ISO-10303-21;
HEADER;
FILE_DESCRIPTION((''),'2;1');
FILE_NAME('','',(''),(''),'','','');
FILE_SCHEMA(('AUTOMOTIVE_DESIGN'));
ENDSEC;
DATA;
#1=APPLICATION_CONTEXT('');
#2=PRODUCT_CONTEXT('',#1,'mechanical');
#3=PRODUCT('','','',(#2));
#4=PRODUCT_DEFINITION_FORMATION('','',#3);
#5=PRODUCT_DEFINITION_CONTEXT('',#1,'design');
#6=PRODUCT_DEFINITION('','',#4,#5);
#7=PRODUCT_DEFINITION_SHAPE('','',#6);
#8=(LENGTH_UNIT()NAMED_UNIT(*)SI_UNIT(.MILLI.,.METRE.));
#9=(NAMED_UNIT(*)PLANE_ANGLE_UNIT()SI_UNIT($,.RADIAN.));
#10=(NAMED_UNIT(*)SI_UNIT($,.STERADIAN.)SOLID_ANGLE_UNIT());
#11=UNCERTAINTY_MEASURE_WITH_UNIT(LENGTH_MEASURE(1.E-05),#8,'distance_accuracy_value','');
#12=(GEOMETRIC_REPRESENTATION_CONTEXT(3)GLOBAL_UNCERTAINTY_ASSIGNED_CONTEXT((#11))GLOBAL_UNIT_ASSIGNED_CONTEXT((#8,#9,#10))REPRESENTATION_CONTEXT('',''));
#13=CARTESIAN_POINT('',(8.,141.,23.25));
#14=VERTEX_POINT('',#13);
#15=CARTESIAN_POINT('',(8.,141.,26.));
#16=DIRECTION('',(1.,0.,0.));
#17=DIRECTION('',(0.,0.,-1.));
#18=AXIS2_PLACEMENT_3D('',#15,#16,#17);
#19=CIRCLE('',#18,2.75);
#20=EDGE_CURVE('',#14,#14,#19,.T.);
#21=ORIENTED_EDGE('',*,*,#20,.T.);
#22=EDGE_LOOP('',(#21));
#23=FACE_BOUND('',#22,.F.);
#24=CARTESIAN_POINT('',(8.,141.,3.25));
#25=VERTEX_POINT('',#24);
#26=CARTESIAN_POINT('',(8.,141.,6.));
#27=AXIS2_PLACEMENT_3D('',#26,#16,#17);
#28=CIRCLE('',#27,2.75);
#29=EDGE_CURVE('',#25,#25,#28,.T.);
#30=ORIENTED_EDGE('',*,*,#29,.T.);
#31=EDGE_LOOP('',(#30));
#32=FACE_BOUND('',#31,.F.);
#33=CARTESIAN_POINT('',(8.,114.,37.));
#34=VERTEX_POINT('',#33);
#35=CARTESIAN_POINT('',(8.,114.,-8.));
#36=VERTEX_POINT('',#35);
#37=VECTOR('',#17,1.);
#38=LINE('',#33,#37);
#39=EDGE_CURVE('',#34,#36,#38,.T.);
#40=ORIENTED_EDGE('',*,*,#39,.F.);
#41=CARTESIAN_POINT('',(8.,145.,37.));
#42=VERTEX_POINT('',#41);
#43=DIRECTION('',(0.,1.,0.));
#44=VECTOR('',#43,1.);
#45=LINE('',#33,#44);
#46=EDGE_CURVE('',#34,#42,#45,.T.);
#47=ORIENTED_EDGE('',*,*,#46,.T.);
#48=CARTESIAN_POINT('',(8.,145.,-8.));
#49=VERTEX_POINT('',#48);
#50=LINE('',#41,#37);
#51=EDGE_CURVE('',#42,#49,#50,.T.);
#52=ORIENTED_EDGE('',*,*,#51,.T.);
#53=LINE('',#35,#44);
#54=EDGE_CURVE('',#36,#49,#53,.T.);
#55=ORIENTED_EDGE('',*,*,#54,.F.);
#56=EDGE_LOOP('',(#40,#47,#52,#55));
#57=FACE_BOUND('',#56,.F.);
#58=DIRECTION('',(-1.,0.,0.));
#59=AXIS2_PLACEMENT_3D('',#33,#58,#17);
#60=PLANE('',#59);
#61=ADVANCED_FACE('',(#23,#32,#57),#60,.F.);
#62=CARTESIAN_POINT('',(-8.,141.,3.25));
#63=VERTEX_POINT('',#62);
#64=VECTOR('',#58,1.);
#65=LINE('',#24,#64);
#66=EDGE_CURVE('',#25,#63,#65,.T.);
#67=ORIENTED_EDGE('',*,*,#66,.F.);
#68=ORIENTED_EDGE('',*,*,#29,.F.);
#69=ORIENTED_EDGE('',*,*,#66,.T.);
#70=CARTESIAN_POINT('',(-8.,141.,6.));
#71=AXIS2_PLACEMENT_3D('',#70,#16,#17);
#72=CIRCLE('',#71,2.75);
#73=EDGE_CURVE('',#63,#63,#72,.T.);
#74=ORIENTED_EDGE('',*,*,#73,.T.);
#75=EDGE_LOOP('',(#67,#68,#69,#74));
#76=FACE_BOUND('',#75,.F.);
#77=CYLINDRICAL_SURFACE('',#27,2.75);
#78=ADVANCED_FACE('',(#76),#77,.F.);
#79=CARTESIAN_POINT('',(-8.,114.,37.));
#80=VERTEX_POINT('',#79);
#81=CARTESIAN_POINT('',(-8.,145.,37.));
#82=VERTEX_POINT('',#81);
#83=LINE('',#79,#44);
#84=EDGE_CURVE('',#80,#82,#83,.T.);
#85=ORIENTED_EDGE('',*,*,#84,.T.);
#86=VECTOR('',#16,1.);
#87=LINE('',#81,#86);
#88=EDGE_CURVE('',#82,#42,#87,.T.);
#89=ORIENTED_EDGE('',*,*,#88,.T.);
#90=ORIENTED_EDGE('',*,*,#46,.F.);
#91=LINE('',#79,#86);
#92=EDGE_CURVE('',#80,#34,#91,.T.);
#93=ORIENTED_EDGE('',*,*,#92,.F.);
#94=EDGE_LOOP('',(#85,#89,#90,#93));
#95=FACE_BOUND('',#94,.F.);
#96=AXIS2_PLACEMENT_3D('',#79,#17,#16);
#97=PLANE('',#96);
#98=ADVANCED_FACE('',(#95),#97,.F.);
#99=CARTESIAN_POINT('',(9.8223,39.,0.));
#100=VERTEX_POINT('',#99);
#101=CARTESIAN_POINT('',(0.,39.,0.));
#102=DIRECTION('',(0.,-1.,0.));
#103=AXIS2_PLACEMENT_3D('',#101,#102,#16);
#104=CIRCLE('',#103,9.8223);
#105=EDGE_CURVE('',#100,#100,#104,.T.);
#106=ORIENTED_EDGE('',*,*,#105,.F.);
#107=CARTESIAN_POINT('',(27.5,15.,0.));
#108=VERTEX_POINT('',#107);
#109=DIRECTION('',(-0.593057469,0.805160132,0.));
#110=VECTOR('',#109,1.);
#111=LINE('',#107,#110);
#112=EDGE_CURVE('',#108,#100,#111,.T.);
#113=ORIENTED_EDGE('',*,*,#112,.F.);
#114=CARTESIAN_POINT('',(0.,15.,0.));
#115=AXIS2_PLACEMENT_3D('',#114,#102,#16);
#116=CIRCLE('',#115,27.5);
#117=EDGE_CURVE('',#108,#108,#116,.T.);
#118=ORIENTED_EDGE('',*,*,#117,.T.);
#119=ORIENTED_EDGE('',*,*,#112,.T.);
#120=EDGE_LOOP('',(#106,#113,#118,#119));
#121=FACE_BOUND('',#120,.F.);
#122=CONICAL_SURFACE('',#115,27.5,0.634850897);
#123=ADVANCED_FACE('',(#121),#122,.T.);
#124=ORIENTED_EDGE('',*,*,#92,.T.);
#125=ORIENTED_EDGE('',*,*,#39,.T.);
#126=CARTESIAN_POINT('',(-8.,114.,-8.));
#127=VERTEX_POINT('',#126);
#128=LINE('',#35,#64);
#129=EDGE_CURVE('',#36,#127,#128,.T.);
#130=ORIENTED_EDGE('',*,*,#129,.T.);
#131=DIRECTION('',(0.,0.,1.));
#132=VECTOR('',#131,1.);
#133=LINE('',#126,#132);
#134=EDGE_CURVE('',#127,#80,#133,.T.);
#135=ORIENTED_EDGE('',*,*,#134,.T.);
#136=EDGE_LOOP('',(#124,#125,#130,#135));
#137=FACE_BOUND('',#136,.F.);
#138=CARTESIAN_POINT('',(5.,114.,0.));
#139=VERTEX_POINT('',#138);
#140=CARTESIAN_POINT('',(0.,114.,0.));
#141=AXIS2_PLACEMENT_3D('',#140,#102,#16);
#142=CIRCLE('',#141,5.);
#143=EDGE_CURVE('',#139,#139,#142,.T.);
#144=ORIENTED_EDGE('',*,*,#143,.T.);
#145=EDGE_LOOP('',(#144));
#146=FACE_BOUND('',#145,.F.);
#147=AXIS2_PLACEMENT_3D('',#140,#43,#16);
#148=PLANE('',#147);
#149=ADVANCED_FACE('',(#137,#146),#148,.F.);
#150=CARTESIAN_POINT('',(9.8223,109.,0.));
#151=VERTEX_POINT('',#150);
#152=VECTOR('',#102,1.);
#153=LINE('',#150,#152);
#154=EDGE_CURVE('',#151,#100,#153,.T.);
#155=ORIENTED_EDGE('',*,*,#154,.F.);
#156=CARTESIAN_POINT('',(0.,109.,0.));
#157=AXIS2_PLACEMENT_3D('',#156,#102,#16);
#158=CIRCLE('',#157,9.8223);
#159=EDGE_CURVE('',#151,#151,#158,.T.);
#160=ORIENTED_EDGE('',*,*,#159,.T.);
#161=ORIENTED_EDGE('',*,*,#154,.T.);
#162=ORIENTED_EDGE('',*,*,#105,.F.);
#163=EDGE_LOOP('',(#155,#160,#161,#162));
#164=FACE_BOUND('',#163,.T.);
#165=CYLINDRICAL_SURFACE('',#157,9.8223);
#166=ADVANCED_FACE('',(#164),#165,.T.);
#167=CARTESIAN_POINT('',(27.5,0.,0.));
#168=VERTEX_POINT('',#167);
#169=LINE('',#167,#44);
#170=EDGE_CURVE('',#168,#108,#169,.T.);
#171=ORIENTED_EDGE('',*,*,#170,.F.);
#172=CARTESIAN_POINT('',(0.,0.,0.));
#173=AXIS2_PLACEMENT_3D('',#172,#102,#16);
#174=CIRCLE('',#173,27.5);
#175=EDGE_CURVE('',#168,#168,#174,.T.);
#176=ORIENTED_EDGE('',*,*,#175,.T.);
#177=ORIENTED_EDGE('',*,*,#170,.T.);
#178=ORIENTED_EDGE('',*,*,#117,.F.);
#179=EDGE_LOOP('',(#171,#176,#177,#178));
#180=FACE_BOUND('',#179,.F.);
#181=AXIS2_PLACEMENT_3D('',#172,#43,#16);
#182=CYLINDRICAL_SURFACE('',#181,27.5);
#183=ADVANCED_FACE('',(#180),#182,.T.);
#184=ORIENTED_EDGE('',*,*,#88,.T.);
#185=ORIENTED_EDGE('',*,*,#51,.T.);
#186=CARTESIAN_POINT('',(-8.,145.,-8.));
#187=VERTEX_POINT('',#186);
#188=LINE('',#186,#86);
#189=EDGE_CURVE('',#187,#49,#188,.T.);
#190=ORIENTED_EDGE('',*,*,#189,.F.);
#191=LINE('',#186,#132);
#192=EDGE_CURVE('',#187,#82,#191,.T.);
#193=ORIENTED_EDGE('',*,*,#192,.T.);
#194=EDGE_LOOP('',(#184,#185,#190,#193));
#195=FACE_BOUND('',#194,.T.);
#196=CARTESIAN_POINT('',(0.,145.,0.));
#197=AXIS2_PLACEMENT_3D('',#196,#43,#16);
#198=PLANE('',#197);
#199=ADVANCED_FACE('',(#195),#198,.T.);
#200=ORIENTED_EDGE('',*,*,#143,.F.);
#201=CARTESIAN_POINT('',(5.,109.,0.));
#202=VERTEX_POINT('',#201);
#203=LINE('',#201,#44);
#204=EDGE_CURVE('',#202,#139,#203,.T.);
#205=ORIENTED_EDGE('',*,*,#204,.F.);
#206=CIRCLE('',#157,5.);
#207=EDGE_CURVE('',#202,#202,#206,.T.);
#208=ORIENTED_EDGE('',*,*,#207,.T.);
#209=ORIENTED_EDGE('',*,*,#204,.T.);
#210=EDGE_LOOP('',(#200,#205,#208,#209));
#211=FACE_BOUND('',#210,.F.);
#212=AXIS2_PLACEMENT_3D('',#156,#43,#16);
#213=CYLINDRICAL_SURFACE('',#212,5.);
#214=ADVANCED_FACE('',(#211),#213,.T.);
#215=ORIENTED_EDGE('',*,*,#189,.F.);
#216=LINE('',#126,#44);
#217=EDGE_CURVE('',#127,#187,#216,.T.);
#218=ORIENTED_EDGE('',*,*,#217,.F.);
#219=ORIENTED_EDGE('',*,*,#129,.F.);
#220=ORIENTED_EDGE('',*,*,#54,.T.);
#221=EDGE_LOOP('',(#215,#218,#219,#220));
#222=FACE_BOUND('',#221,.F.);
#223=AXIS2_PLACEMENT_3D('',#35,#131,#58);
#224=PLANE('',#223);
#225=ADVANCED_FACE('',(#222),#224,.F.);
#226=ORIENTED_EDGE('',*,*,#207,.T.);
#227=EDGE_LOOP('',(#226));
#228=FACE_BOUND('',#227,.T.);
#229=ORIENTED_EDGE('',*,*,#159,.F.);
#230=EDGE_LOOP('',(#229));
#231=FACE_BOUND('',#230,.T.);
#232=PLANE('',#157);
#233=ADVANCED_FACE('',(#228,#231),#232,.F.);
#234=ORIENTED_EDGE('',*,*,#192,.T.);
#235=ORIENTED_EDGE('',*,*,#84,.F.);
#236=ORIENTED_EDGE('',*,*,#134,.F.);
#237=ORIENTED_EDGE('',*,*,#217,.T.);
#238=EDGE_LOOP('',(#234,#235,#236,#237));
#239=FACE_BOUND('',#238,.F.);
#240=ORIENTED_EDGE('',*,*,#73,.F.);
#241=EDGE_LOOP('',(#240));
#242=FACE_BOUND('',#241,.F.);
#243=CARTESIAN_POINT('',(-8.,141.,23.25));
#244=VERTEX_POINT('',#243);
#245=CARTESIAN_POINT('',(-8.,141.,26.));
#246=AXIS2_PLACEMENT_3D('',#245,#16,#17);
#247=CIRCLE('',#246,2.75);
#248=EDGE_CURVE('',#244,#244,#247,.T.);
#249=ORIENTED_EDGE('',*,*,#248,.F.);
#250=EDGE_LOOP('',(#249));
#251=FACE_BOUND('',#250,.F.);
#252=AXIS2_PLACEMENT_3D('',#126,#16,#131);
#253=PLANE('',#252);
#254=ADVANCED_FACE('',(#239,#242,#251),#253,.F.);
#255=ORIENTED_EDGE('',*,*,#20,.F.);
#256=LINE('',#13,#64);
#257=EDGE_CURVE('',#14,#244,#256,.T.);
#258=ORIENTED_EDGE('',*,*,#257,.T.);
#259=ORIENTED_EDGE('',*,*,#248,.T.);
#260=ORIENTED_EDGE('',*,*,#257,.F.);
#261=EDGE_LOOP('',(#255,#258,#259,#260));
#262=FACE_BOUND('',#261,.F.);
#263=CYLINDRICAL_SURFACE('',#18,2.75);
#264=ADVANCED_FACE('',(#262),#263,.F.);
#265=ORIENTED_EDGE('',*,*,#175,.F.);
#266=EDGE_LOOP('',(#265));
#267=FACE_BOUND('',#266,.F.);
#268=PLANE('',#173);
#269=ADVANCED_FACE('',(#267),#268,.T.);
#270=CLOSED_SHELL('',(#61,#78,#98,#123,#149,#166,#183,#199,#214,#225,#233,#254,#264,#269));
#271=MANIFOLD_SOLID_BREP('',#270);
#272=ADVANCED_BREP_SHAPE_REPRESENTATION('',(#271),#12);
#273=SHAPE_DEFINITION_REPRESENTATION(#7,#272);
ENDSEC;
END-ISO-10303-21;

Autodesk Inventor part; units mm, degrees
ref_plane "YZ Plane" through (0, 0, 0) normal (1, 0, 0) x (0, 1, 0)
ref_plane "XZ Plane" through (0, 0, 0) normal (0, 1, 0) x (-1, 0, 0)
ref_plane "XY Plane" through (0, 0, 0) normal (0, 0, 1) x (1, 0, 0)
sketch "Sketch3" plane through (0, 0, 0) normal (0, 0, 1) x (1, 0, 0)
  line L0 (0, 0) -> (27.5, 0)
  line L1 (27.5, 0) -> (27.5, 15)
  line L2 (0, 32.6777) -> (0, 0)
  line L3 (0, 39) -> (0, 109)
  line L4 (5, 109) -> (9.8223, 109)
  line L5 (9.8223, 109) -> (9.8223, 39)
  line L6 (0, 109) -> (5, 109) construction
  line L7 (5, 109) -> (5, 114)
  line L8 (5, 114) -> (0, 114)
  line L9 (0, 114) -> (0, 109)
  line L10 (27.5, 15) -> (9.8223, 39)
  line L11 (0, 32.6777) -> (0, 39)
  dimension "d5" = 27.5
  dimension "d6" = 15
  dimension "d10" = 70
  dimension "d14" = 5
  dimension "d15" = 5
revolve "Revolution1" add sketch "Sketch3" angle 360 about axis through (0, 32.6777, 0) along (0, -1, 0)
sketch "Sketch5" plane through (0, 114, 0) normal (0, 1, 0) x (1, 0, 0)
  line L0 (0, 0) -> (0, 8) construction
  line L1 (0, 8) -> (-8, 8)
  line L2 (-8, 8) -> (-8, -37)
  line L3 (-8, -37) -> (8, -37)
  line L4 (8, -37) -> (8, 8)
  line L5 (8, 8) -> (0, 8)
  dimension "d16" = 8
  dimension "d17" = 8
  dimension "d18" = 45
  dimension "d19" = 16
extrude "Extrusion1" add sketch "Sketch5" along normal blind 31
sketch "Sketch6" plane through (8, 114, 37) normal (1, 0, 0) x (0, 0, -1)
  line L0 (0, 31) -> (11, 31) construction
  line L1 (0, 31) -> (45, 31) construction
  line L2 (11, 31) -> (11, 27) construction
  line L3 (11, 31) -> (31, 31) construction
  line L4 (31, 31) -> (31, 27) construction
  circle A0 centre (11, 27) radius 2.75
  circle A1 centre (31, 27) radius 2.75
  point P0 (37, -114)
  point P1 (22.5, 31)
  point P2 (0, 31)
  dimension "d28" = 11
  dimension "d29" = 20
extrude "Extrusion2" cut sketch "Sketch6" against normal blind 16
properties part number "Suction"
